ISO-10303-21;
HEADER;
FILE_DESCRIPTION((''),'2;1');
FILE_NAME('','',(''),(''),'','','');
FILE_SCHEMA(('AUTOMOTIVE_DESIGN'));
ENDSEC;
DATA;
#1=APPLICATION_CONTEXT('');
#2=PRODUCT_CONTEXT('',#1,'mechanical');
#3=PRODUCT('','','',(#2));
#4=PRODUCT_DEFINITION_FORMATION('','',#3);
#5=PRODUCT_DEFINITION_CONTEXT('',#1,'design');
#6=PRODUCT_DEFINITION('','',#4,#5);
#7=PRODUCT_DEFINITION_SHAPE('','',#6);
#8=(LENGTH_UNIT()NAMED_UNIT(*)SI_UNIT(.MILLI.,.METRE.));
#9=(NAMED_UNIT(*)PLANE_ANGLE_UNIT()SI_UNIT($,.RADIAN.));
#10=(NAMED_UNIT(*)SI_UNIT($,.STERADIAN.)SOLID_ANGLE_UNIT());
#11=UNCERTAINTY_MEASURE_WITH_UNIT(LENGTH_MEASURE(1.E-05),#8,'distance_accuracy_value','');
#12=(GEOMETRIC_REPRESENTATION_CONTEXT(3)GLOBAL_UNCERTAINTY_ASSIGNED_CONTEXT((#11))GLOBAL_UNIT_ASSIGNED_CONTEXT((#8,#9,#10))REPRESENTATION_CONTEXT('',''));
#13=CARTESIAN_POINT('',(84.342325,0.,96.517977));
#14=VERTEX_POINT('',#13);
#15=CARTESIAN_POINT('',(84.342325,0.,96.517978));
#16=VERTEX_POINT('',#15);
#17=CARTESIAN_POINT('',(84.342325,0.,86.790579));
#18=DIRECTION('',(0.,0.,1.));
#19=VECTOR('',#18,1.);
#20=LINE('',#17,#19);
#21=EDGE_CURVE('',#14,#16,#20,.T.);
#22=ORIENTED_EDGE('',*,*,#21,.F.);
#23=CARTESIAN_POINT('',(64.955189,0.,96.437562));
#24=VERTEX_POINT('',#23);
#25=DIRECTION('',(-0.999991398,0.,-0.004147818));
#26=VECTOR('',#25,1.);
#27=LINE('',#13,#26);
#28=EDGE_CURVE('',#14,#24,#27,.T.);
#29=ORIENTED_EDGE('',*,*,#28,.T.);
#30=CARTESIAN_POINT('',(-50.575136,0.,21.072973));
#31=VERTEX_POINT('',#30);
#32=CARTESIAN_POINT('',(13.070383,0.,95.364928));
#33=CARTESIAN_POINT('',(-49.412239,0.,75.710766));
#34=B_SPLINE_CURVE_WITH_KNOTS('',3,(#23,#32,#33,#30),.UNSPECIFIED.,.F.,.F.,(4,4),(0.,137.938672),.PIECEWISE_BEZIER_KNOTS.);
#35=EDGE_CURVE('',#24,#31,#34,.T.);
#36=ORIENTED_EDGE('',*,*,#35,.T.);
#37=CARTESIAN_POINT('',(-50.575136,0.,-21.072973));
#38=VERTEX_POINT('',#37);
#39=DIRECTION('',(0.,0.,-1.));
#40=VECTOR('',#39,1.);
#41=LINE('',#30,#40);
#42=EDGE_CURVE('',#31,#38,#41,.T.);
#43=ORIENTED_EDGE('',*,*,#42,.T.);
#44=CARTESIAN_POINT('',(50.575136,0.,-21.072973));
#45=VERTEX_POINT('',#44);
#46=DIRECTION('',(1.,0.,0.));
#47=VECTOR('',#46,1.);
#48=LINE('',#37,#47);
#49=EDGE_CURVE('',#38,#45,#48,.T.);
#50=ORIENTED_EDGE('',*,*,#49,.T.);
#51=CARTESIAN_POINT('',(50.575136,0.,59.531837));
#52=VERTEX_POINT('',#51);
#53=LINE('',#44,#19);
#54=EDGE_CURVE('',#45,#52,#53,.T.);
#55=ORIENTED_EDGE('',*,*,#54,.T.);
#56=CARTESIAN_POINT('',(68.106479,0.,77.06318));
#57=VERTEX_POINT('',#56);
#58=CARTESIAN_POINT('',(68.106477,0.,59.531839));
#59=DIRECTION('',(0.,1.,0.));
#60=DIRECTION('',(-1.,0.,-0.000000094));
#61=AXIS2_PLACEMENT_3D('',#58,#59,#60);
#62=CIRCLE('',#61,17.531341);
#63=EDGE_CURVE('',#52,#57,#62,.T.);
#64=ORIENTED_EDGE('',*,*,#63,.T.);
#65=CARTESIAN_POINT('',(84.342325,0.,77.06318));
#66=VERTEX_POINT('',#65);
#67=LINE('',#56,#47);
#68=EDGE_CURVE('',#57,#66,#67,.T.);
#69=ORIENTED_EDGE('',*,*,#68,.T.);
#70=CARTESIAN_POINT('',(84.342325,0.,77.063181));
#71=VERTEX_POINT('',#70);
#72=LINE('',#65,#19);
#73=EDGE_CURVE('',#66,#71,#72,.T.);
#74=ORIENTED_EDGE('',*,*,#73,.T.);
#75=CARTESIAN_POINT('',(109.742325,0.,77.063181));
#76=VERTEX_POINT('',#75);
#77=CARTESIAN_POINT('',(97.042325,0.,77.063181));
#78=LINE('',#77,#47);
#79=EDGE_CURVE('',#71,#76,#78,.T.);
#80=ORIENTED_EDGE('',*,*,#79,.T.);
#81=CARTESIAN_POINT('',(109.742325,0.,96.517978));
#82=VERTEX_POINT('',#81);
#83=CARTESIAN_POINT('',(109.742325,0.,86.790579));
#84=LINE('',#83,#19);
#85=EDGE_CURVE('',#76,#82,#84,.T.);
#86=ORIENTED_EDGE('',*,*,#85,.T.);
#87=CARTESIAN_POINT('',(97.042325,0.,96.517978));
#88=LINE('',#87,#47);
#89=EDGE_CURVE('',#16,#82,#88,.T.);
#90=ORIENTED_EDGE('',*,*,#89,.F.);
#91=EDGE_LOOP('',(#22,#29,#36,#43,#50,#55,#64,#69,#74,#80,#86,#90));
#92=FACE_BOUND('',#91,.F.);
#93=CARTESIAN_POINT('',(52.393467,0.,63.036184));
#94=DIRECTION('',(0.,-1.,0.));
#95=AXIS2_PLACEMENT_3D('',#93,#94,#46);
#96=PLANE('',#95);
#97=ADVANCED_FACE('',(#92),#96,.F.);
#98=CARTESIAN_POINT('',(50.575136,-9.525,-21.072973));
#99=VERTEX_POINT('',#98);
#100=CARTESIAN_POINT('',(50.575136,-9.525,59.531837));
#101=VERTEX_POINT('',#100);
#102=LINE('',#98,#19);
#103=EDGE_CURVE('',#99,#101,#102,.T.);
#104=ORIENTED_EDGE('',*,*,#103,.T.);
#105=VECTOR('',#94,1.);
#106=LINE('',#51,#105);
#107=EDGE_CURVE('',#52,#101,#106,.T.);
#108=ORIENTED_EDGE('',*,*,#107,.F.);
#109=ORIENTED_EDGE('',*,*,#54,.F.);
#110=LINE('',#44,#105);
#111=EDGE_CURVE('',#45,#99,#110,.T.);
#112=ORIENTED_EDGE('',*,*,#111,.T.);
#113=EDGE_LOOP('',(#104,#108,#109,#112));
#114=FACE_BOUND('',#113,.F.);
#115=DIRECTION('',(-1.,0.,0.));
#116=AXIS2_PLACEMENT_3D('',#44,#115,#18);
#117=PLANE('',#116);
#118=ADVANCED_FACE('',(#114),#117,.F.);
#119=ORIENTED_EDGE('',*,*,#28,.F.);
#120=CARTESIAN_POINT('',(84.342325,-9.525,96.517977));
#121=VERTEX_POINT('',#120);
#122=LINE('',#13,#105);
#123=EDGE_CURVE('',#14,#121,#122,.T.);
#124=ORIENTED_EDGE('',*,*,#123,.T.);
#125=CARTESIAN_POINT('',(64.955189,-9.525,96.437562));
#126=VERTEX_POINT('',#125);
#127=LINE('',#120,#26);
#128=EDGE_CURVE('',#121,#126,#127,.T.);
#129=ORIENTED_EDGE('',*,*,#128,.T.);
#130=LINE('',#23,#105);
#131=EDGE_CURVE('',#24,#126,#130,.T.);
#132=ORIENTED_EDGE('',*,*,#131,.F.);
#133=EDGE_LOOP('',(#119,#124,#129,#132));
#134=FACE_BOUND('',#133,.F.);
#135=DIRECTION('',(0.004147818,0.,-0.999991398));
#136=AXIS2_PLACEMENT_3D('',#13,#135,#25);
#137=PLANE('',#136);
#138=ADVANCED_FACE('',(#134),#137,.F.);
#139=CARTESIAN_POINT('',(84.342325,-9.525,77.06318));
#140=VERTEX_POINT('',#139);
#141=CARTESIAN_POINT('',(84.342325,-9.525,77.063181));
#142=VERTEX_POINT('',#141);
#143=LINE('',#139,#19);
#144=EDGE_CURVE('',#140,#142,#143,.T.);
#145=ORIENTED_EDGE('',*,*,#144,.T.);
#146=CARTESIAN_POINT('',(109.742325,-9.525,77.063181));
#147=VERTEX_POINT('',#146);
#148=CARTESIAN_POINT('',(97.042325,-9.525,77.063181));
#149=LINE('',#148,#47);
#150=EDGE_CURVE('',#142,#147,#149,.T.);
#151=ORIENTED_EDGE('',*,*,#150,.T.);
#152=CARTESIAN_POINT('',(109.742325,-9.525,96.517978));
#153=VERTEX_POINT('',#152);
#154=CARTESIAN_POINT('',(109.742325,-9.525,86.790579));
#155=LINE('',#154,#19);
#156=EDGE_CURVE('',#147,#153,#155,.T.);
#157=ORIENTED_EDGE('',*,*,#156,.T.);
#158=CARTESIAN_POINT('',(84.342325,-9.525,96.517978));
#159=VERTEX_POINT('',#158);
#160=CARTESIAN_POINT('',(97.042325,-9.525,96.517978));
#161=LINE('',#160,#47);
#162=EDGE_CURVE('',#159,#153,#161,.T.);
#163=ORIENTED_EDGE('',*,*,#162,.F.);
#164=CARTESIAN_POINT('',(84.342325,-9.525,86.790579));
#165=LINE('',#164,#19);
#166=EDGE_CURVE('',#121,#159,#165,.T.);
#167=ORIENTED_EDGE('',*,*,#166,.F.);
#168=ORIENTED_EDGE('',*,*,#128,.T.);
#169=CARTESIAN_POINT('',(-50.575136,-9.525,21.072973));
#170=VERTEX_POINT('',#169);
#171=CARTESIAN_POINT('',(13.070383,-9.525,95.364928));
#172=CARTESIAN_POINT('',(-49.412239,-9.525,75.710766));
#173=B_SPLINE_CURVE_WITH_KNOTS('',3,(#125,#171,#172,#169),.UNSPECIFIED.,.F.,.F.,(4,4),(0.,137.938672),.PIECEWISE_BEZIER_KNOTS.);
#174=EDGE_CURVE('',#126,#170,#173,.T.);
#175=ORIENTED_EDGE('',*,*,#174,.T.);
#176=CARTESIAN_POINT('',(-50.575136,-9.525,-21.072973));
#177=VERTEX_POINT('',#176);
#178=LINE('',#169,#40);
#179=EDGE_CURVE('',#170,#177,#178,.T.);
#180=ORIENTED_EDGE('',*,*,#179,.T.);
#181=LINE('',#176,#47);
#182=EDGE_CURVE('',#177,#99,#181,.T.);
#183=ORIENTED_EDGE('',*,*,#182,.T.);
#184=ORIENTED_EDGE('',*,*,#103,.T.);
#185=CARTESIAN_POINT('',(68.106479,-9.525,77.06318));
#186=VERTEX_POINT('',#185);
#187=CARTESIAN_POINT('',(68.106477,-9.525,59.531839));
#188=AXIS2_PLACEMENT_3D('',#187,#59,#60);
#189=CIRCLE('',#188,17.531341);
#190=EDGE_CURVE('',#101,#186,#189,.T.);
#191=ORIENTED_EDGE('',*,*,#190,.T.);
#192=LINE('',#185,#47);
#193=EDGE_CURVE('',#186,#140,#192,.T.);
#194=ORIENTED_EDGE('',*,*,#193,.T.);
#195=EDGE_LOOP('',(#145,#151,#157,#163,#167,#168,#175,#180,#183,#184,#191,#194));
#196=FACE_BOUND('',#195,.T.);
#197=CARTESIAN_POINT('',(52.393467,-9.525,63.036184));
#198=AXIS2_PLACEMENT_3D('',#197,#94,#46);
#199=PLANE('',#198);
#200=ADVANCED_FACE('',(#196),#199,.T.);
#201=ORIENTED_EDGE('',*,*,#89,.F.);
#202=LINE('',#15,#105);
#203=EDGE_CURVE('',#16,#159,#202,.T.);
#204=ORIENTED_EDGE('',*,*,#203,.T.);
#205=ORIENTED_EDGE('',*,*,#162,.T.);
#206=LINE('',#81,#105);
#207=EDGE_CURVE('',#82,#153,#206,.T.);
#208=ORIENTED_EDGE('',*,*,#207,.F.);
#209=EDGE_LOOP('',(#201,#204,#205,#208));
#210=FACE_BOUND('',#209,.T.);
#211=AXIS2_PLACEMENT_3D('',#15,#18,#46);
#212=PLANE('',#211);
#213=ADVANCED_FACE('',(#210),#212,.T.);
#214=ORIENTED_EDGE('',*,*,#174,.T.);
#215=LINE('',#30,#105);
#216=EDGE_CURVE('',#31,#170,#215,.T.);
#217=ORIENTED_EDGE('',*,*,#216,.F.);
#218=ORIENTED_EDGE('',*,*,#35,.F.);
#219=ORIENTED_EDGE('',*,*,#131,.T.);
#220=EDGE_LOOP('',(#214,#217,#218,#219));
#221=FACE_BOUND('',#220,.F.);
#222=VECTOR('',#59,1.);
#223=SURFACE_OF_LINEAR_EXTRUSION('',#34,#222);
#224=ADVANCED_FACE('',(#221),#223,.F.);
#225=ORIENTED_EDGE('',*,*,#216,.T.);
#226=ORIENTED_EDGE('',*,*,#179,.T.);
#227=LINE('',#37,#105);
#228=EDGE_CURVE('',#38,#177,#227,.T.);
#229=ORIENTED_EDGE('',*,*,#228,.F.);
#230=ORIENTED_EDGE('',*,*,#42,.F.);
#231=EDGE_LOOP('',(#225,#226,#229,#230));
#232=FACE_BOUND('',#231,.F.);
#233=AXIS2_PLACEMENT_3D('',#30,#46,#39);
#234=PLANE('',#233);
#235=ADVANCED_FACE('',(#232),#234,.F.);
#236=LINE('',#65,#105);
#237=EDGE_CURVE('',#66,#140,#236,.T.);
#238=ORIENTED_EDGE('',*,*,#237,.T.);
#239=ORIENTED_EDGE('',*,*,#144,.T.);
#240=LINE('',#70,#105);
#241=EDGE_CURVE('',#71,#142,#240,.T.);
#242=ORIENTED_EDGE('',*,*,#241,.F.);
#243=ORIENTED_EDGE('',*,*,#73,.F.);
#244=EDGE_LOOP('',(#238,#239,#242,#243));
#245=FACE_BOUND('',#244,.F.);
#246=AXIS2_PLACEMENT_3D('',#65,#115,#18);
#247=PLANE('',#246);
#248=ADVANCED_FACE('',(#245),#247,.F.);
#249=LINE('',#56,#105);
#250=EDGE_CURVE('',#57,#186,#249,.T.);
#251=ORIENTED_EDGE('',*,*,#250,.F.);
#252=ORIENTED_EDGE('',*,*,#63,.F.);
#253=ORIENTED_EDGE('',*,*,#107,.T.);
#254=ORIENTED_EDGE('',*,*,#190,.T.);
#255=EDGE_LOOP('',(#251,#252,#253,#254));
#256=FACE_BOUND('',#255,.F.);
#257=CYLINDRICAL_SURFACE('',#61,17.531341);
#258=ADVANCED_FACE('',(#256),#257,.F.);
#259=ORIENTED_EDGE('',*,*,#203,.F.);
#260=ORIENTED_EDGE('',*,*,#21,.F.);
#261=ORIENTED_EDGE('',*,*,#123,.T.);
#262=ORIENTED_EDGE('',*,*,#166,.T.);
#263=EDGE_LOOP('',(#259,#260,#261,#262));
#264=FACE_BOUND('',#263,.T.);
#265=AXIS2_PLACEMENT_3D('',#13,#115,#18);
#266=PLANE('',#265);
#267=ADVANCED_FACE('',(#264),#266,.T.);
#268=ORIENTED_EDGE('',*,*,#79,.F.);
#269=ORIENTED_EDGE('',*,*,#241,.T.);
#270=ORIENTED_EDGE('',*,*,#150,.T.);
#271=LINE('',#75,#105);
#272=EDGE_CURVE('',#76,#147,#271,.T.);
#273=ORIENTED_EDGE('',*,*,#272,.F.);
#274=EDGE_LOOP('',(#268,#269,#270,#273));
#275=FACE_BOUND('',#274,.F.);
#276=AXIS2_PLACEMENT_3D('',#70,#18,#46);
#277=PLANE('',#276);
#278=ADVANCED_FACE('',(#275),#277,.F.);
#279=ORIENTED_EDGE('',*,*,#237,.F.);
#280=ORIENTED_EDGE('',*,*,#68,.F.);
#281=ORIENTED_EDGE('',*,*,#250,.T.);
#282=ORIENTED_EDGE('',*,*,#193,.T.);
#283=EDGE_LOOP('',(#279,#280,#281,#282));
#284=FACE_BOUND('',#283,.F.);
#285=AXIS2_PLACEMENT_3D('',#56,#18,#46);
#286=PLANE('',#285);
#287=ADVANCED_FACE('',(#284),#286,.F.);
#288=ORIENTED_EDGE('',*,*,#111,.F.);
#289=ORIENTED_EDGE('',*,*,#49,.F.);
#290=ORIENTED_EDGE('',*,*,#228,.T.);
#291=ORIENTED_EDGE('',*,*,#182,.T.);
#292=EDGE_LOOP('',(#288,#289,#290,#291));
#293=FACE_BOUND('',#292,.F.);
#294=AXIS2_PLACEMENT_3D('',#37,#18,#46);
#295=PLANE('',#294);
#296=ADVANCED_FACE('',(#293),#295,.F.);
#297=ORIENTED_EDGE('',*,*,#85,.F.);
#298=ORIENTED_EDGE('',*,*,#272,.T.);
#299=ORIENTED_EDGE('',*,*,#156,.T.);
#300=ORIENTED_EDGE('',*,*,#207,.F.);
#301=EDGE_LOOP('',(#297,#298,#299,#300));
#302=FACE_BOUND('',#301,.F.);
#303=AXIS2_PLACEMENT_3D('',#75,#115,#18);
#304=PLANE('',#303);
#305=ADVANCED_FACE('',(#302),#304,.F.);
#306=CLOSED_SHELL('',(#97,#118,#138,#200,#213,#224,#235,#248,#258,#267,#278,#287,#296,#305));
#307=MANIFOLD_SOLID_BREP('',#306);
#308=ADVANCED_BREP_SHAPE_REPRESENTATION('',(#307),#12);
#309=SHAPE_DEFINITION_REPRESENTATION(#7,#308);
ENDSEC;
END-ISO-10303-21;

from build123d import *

# Parameters (mm, degrees)
F0_W     = 25.4
F0_H     = 19.454797
F1_DEPTH = 9.525


with BuildPart() as f1:
    # F0 (on Front) → F1 (new body)
    with BuildSketch(Plane.XZ):
        with BuildLine():
            Line((31.188, 59.531837), (31.188, 21.072973))
            Line((31.188, 21.072973), (50.575136, 21.072973))
            Line((50.575136, 21.072973), (50.575136, 59.531837))
            ThreePointArc((50.575136, 59.531837), (55.709947, 71.928369), (68.106479, 77.06318))
            Line((68.106479, 77.06318), (84.342325, 77.06318))
            Line((84.342325, 77.06318), (84.342325, 96.517977))
            Line((84.342325, 96.517977), (64.955189, 96.437562))
            Line((64.955189, 96.437562), (64.955189, 96.315576))
            ThreePointArc((64.955189, 96.315576), (40.909835, 84.498147), (31.188, 59.531837))
        make_face()
        Polygon((31.188, 21.072973), (-50.575136, 21.072973), (-50.575136, -21.072973), (50.575136, -21.072973), (50.575136, 21.072973), align=None)
        with BuildLine():
            add(Edge.make_bspline(
                [(64.955189, 96.437562), (13.070383, 95.364928), (-49.412239, 75.710766), (-50.575136, 21.072973)],
                knots=[0, 0, 0, 0, 137.938672, 137.938672, 137.938672, 137.938672], degree=3))
            Line((-50.575136, 21.072973), (31.188, 21.072973))
            Line((31.188, 21.072973), (31.188, 59.531837))
            ThreePointArc((31.188, 59.531837), (40.909835, 84.498147), (64.955189, 96.315576))
            Line((64.955189, 96.315576), (64.955189, 96.437562))
        make_face()
        with Locations((97.042325, 86.790579)):
            Rectangle(F0_W, F0_H)
    extrude(amount=F1_DEPTH)


solid = f1.part
